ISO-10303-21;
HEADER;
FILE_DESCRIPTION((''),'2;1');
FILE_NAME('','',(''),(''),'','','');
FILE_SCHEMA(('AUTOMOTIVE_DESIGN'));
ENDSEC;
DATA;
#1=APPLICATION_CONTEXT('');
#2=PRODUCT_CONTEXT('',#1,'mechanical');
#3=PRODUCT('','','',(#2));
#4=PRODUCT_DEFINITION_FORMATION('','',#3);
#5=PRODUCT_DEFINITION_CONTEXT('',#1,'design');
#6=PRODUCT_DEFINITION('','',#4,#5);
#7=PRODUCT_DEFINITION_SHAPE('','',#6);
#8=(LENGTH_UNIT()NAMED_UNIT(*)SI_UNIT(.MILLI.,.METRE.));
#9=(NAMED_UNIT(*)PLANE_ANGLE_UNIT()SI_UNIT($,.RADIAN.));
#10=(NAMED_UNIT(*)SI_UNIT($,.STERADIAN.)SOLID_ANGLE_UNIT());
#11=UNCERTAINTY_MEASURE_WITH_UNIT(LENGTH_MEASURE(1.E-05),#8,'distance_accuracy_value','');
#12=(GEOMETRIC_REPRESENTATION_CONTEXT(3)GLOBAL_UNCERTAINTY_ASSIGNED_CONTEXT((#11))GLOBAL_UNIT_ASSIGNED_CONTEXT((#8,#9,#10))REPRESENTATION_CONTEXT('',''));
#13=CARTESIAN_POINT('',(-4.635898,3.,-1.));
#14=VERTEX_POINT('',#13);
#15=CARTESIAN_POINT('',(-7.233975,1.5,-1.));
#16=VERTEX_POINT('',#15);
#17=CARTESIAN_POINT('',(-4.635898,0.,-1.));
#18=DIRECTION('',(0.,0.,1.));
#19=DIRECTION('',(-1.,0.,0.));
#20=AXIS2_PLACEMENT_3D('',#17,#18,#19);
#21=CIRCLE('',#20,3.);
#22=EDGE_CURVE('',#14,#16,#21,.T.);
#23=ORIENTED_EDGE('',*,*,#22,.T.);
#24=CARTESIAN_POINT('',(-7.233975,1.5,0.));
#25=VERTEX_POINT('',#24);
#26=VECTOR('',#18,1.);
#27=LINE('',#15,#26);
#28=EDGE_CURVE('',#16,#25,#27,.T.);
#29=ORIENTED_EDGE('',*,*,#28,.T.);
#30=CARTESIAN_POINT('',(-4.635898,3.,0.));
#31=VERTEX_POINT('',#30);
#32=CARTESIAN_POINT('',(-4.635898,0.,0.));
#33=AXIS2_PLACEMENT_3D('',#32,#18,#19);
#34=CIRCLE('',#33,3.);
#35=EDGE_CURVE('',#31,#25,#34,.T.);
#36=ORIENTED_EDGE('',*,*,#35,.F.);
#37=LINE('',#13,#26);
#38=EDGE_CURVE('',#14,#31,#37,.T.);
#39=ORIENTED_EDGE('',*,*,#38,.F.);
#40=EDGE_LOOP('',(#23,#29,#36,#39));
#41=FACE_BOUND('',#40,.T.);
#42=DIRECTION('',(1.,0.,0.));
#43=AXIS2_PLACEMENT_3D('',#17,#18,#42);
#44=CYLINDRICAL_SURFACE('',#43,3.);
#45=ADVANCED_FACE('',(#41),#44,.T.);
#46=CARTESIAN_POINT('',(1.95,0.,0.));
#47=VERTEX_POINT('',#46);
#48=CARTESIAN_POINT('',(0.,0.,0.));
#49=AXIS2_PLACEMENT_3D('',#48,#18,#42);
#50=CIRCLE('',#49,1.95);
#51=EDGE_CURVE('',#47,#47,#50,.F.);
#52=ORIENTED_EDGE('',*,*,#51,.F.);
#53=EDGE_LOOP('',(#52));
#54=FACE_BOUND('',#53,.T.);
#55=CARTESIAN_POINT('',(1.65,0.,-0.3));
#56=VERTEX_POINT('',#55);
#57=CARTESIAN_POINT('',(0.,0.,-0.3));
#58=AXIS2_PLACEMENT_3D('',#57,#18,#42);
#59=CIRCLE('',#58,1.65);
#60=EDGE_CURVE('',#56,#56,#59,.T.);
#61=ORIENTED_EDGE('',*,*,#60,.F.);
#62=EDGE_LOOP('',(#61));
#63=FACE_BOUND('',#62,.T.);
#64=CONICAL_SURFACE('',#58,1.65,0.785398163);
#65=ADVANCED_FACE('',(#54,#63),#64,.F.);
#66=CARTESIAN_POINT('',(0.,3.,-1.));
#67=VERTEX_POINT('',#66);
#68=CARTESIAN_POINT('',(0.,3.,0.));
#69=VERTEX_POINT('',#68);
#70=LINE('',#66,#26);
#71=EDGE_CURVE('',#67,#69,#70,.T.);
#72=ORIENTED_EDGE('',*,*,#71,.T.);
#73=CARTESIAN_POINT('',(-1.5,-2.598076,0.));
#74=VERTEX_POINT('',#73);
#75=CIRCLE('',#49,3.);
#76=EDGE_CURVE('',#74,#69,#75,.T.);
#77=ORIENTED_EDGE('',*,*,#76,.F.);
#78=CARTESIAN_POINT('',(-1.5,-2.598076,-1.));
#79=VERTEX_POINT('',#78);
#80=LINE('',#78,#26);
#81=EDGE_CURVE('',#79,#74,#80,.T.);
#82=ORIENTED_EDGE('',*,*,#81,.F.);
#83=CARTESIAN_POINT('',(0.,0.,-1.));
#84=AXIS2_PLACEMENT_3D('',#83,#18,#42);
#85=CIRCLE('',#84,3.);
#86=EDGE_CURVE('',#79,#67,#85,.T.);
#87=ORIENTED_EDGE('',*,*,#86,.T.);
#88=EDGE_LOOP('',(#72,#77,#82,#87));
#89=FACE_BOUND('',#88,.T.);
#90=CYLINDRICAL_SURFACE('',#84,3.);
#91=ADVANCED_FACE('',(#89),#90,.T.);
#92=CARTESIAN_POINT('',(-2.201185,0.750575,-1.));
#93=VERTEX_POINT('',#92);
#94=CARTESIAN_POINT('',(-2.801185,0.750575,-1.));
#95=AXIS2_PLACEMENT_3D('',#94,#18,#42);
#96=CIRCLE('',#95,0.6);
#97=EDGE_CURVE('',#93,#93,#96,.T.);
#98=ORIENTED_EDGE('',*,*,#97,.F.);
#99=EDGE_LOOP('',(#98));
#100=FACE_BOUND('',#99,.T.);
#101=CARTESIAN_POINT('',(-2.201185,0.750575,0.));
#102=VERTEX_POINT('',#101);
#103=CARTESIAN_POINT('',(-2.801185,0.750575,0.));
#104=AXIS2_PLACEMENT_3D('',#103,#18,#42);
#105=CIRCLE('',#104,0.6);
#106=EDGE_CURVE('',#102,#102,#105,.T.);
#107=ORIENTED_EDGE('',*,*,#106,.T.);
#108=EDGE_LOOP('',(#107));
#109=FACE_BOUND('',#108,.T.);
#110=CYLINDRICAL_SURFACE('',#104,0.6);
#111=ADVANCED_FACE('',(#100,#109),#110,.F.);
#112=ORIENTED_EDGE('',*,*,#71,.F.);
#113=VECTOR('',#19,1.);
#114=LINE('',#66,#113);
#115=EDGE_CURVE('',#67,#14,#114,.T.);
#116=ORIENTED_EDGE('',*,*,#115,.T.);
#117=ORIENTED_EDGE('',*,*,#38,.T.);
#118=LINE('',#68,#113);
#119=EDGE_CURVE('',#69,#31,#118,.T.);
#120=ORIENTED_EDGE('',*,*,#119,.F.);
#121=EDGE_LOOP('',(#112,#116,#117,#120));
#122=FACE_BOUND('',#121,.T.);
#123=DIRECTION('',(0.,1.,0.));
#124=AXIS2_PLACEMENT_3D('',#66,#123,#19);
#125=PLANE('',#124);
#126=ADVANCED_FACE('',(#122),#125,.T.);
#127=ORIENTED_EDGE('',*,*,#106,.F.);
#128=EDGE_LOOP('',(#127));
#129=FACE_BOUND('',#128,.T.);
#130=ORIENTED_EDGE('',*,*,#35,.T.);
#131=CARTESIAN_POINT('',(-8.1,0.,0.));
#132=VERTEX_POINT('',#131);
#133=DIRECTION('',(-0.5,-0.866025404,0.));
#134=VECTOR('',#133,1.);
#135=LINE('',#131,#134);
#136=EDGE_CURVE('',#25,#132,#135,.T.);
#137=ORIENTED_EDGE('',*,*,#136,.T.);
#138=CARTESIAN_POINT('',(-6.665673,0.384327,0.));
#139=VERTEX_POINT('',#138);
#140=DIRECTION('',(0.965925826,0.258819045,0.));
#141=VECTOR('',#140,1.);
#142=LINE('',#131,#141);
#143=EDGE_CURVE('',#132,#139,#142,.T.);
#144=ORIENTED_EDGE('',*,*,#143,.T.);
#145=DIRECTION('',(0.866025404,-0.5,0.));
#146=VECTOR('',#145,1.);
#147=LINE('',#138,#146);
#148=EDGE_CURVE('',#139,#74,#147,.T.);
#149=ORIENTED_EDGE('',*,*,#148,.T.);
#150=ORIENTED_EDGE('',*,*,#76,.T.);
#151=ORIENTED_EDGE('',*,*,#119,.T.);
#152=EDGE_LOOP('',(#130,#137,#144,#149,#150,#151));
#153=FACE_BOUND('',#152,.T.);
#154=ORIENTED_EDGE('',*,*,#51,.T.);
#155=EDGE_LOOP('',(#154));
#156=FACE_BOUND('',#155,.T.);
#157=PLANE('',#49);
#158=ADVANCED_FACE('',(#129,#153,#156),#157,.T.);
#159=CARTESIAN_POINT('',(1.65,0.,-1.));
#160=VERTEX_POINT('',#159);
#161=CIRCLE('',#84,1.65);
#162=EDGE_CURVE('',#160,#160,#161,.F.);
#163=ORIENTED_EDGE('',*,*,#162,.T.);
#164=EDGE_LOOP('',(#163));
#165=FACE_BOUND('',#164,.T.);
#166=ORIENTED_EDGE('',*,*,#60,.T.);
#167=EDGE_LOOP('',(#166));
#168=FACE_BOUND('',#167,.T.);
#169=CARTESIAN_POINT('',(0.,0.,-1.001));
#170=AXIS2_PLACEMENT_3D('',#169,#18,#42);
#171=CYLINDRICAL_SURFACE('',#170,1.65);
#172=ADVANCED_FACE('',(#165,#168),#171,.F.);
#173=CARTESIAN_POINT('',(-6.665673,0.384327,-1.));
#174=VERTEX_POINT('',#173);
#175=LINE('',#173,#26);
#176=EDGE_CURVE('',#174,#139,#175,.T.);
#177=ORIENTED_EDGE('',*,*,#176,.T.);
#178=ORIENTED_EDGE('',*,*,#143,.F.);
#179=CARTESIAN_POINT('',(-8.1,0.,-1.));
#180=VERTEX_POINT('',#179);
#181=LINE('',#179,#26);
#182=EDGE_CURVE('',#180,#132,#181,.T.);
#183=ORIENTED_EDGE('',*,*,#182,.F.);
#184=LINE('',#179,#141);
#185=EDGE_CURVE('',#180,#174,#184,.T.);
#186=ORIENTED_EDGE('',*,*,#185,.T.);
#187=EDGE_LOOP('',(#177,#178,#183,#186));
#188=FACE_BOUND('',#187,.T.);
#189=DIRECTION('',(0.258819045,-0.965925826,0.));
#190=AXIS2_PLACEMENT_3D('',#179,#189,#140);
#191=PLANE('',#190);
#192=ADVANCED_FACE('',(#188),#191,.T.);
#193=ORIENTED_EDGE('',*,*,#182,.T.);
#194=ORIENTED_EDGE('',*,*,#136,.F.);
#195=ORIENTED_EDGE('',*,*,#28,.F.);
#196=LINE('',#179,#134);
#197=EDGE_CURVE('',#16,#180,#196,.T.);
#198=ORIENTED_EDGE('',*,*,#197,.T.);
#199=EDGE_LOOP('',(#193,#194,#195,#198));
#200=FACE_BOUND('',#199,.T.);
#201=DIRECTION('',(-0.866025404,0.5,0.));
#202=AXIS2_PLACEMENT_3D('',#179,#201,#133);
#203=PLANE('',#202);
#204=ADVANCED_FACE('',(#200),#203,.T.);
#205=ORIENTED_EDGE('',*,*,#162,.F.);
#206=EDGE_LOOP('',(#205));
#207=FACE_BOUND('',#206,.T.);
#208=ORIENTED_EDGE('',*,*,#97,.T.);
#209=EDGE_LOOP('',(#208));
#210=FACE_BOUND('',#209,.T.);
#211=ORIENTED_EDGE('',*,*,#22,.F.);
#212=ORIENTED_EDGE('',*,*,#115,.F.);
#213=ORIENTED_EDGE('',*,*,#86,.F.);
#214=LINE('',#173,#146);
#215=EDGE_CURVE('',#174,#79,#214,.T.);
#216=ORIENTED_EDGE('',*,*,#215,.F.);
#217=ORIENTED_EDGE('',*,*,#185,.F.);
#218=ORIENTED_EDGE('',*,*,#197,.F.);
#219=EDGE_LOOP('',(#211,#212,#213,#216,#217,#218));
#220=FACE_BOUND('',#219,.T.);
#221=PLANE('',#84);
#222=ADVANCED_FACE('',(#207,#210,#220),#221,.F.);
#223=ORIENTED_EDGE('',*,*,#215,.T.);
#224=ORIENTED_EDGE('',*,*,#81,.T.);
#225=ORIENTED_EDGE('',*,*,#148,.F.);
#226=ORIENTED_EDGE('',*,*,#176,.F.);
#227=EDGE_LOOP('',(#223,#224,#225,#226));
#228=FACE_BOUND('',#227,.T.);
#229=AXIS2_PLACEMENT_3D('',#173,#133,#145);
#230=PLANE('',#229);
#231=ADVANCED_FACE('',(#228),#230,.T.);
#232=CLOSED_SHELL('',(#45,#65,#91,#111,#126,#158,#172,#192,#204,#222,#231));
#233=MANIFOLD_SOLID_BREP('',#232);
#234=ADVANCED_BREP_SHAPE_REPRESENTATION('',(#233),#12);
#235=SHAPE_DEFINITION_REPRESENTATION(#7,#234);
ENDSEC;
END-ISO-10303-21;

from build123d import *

# Parameters (mm, degrees)
BOSS_EXTRUDE1_DEPTH        = 1
CUT_EXTRUDE1_REACH         = 3
SKETCH2_R                  = 1.65
CHAMFER1_SIZE              = 0.3
F_1_2_1_2_DIAMETER_HOLE1_D = 1.2


with BuildPart() as part:
    # Sketch1 → Boss-Extrude1 (new body)
    with BuildSketch(Plane.XY):
        with BuildLine():
            Line((0, 3), (-4.635898385, 3))
            ThreePointArc((-4.635898385, 3), (-6.135898385, 2.598076211), (-7.233974596, 1.5))
            Line((-7.233974596, 1.5), (-8.1, 0))
            Line((-8.1, 0), (-6.665673326, 0.384326674))
            Line((-6.665673326, 0.384326674), (-1.5, -2.598076211))
            ThreePointArc((-1.5, -2.598076211), (2.897777479, -0.776457135), (0, 3))
        make_face()
    extrude(amount=-BOSS_EXTRUDE1_DEPTH)

    # Sketch2 → Cut-Extrude1 (cut, up to next)
    with BuildSketch(Plane.XY, mode=Mode.PRIVATE) as cut_extrude1_sk1:
        Circle(SKETCH2_R)
    cut_extrude1_tool1 = extrude(cut_extrude1_sk1.sketch, amount=-CUT_EXTRUDE1_REACH, mode=Mode.PRIVATE) & part.part
    add(cut_extrude1_tool1.solids().sort_by_distance((0, 0, 0))[0], mode=Mode.SUBTRACT)

    # Chamfer1
    chamfer1_edges = [part.edges().sort_by_distance(p)[0] for p in [
        (-1.65, 0, 0),
    ]]
    chamfer(chamfer1_edges, length=CHAMFER1_SIZE)

    # Ø1.2 (1.2) Diameter Hole1 (through all)
    with Locations(Plane.XY):
        with Locations((-2.801184896, 0.750575231)):
            Hole(F_1_2_1_2_DIAMETER_HOLE1_D / 2)


solid = part.part
